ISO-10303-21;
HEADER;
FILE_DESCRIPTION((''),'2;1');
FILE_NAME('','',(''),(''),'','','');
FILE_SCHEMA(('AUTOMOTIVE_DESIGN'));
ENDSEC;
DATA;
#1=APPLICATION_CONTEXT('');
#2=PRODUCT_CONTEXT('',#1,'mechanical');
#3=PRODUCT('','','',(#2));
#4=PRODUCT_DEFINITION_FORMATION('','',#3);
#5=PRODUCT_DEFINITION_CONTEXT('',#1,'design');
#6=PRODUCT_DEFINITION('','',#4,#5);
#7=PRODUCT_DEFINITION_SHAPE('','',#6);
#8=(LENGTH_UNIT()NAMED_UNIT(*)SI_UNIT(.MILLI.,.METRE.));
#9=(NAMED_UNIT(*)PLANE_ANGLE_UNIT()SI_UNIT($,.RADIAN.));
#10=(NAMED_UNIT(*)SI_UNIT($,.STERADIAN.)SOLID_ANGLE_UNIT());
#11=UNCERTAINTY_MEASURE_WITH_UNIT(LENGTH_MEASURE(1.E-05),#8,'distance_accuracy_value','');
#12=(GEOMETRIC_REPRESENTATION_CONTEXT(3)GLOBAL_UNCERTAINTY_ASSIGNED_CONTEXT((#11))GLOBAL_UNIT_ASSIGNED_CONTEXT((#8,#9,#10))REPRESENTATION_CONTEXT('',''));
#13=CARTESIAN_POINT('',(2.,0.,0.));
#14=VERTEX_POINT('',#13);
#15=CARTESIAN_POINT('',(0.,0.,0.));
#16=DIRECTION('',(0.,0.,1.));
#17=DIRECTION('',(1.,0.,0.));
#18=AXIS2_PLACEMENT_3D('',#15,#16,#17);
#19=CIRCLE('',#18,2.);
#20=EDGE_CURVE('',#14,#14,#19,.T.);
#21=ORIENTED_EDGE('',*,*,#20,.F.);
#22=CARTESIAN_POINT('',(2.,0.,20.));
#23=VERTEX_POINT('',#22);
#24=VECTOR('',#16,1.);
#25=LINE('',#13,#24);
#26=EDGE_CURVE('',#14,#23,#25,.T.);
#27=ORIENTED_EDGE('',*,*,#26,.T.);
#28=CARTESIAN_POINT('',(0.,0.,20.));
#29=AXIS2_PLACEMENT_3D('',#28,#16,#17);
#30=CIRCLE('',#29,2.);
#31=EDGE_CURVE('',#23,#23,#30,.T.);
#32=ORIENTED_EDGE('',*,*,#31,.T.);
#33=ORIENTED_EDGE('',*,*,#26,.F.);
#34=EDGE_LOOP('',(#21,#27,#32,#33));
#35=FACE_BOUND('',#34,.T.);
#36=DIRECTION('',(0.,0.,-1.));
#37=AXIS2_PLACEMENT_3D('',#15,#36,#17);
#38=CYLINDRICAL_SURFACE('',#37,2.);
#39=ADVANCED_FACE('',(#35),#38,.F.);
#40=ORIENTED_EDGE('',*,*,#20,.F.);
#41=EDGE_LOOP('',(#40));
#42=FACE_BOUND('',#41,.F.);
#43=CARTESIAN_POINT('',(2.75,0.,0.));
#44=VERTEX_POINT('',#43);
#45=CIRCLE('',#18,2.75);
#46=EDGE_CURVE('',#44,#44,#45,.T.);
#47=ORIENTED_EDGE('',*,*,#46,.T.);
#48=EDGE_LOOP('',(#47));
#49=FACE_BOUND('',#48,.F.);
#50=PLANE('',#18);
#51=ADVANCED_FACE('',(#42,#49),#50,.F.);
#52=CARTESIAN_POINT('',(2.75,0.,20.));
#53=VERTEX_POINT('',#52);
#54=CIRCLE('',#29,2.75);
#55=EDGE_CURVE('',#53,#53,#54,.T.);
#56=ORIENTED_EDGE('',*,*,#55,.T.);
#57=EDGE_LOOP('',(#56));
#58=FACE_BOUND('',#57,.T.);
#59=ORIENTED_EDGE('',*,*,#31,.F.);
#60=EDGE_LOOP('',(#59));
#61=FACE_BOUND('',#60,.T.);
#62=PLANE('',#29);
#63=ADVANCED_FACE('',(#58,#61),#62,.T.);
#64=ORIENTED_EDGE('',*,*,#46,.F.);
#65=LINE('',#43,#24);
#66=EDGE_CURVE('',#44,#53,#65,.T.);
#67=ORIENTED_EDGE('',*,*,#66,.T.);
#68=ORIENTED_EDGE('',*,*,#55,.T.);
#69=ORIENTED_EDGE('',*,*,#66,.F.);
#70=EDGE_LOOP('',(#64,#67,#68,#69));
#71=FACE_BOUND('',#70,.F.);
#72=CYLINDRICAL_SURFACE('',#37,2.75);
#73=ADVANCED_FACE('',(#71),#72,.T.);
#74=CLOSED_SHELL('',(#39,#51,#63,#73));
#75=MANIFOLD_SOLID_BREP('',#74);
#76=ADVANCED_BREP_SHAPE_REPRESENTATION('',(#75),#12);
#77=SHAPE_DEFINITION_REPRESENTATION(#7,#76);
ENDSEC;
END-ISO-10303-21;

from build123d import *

# Parameters (mm, degrees)
SKETCH_R   = 2.75
SKETCH_R_2 = 2
PAD_DEPTH  = 20


with BuildPart() as part:
    # Sketch → Pad (new body)
    with BuildSketch(Plane.XY):
        Circle(SKETCH_R)
        Circle(SKETCH_R_2, mode=Mode.SUBTRACT)
    extrude(amount=PAD_DEPTH)


solid = part.part
